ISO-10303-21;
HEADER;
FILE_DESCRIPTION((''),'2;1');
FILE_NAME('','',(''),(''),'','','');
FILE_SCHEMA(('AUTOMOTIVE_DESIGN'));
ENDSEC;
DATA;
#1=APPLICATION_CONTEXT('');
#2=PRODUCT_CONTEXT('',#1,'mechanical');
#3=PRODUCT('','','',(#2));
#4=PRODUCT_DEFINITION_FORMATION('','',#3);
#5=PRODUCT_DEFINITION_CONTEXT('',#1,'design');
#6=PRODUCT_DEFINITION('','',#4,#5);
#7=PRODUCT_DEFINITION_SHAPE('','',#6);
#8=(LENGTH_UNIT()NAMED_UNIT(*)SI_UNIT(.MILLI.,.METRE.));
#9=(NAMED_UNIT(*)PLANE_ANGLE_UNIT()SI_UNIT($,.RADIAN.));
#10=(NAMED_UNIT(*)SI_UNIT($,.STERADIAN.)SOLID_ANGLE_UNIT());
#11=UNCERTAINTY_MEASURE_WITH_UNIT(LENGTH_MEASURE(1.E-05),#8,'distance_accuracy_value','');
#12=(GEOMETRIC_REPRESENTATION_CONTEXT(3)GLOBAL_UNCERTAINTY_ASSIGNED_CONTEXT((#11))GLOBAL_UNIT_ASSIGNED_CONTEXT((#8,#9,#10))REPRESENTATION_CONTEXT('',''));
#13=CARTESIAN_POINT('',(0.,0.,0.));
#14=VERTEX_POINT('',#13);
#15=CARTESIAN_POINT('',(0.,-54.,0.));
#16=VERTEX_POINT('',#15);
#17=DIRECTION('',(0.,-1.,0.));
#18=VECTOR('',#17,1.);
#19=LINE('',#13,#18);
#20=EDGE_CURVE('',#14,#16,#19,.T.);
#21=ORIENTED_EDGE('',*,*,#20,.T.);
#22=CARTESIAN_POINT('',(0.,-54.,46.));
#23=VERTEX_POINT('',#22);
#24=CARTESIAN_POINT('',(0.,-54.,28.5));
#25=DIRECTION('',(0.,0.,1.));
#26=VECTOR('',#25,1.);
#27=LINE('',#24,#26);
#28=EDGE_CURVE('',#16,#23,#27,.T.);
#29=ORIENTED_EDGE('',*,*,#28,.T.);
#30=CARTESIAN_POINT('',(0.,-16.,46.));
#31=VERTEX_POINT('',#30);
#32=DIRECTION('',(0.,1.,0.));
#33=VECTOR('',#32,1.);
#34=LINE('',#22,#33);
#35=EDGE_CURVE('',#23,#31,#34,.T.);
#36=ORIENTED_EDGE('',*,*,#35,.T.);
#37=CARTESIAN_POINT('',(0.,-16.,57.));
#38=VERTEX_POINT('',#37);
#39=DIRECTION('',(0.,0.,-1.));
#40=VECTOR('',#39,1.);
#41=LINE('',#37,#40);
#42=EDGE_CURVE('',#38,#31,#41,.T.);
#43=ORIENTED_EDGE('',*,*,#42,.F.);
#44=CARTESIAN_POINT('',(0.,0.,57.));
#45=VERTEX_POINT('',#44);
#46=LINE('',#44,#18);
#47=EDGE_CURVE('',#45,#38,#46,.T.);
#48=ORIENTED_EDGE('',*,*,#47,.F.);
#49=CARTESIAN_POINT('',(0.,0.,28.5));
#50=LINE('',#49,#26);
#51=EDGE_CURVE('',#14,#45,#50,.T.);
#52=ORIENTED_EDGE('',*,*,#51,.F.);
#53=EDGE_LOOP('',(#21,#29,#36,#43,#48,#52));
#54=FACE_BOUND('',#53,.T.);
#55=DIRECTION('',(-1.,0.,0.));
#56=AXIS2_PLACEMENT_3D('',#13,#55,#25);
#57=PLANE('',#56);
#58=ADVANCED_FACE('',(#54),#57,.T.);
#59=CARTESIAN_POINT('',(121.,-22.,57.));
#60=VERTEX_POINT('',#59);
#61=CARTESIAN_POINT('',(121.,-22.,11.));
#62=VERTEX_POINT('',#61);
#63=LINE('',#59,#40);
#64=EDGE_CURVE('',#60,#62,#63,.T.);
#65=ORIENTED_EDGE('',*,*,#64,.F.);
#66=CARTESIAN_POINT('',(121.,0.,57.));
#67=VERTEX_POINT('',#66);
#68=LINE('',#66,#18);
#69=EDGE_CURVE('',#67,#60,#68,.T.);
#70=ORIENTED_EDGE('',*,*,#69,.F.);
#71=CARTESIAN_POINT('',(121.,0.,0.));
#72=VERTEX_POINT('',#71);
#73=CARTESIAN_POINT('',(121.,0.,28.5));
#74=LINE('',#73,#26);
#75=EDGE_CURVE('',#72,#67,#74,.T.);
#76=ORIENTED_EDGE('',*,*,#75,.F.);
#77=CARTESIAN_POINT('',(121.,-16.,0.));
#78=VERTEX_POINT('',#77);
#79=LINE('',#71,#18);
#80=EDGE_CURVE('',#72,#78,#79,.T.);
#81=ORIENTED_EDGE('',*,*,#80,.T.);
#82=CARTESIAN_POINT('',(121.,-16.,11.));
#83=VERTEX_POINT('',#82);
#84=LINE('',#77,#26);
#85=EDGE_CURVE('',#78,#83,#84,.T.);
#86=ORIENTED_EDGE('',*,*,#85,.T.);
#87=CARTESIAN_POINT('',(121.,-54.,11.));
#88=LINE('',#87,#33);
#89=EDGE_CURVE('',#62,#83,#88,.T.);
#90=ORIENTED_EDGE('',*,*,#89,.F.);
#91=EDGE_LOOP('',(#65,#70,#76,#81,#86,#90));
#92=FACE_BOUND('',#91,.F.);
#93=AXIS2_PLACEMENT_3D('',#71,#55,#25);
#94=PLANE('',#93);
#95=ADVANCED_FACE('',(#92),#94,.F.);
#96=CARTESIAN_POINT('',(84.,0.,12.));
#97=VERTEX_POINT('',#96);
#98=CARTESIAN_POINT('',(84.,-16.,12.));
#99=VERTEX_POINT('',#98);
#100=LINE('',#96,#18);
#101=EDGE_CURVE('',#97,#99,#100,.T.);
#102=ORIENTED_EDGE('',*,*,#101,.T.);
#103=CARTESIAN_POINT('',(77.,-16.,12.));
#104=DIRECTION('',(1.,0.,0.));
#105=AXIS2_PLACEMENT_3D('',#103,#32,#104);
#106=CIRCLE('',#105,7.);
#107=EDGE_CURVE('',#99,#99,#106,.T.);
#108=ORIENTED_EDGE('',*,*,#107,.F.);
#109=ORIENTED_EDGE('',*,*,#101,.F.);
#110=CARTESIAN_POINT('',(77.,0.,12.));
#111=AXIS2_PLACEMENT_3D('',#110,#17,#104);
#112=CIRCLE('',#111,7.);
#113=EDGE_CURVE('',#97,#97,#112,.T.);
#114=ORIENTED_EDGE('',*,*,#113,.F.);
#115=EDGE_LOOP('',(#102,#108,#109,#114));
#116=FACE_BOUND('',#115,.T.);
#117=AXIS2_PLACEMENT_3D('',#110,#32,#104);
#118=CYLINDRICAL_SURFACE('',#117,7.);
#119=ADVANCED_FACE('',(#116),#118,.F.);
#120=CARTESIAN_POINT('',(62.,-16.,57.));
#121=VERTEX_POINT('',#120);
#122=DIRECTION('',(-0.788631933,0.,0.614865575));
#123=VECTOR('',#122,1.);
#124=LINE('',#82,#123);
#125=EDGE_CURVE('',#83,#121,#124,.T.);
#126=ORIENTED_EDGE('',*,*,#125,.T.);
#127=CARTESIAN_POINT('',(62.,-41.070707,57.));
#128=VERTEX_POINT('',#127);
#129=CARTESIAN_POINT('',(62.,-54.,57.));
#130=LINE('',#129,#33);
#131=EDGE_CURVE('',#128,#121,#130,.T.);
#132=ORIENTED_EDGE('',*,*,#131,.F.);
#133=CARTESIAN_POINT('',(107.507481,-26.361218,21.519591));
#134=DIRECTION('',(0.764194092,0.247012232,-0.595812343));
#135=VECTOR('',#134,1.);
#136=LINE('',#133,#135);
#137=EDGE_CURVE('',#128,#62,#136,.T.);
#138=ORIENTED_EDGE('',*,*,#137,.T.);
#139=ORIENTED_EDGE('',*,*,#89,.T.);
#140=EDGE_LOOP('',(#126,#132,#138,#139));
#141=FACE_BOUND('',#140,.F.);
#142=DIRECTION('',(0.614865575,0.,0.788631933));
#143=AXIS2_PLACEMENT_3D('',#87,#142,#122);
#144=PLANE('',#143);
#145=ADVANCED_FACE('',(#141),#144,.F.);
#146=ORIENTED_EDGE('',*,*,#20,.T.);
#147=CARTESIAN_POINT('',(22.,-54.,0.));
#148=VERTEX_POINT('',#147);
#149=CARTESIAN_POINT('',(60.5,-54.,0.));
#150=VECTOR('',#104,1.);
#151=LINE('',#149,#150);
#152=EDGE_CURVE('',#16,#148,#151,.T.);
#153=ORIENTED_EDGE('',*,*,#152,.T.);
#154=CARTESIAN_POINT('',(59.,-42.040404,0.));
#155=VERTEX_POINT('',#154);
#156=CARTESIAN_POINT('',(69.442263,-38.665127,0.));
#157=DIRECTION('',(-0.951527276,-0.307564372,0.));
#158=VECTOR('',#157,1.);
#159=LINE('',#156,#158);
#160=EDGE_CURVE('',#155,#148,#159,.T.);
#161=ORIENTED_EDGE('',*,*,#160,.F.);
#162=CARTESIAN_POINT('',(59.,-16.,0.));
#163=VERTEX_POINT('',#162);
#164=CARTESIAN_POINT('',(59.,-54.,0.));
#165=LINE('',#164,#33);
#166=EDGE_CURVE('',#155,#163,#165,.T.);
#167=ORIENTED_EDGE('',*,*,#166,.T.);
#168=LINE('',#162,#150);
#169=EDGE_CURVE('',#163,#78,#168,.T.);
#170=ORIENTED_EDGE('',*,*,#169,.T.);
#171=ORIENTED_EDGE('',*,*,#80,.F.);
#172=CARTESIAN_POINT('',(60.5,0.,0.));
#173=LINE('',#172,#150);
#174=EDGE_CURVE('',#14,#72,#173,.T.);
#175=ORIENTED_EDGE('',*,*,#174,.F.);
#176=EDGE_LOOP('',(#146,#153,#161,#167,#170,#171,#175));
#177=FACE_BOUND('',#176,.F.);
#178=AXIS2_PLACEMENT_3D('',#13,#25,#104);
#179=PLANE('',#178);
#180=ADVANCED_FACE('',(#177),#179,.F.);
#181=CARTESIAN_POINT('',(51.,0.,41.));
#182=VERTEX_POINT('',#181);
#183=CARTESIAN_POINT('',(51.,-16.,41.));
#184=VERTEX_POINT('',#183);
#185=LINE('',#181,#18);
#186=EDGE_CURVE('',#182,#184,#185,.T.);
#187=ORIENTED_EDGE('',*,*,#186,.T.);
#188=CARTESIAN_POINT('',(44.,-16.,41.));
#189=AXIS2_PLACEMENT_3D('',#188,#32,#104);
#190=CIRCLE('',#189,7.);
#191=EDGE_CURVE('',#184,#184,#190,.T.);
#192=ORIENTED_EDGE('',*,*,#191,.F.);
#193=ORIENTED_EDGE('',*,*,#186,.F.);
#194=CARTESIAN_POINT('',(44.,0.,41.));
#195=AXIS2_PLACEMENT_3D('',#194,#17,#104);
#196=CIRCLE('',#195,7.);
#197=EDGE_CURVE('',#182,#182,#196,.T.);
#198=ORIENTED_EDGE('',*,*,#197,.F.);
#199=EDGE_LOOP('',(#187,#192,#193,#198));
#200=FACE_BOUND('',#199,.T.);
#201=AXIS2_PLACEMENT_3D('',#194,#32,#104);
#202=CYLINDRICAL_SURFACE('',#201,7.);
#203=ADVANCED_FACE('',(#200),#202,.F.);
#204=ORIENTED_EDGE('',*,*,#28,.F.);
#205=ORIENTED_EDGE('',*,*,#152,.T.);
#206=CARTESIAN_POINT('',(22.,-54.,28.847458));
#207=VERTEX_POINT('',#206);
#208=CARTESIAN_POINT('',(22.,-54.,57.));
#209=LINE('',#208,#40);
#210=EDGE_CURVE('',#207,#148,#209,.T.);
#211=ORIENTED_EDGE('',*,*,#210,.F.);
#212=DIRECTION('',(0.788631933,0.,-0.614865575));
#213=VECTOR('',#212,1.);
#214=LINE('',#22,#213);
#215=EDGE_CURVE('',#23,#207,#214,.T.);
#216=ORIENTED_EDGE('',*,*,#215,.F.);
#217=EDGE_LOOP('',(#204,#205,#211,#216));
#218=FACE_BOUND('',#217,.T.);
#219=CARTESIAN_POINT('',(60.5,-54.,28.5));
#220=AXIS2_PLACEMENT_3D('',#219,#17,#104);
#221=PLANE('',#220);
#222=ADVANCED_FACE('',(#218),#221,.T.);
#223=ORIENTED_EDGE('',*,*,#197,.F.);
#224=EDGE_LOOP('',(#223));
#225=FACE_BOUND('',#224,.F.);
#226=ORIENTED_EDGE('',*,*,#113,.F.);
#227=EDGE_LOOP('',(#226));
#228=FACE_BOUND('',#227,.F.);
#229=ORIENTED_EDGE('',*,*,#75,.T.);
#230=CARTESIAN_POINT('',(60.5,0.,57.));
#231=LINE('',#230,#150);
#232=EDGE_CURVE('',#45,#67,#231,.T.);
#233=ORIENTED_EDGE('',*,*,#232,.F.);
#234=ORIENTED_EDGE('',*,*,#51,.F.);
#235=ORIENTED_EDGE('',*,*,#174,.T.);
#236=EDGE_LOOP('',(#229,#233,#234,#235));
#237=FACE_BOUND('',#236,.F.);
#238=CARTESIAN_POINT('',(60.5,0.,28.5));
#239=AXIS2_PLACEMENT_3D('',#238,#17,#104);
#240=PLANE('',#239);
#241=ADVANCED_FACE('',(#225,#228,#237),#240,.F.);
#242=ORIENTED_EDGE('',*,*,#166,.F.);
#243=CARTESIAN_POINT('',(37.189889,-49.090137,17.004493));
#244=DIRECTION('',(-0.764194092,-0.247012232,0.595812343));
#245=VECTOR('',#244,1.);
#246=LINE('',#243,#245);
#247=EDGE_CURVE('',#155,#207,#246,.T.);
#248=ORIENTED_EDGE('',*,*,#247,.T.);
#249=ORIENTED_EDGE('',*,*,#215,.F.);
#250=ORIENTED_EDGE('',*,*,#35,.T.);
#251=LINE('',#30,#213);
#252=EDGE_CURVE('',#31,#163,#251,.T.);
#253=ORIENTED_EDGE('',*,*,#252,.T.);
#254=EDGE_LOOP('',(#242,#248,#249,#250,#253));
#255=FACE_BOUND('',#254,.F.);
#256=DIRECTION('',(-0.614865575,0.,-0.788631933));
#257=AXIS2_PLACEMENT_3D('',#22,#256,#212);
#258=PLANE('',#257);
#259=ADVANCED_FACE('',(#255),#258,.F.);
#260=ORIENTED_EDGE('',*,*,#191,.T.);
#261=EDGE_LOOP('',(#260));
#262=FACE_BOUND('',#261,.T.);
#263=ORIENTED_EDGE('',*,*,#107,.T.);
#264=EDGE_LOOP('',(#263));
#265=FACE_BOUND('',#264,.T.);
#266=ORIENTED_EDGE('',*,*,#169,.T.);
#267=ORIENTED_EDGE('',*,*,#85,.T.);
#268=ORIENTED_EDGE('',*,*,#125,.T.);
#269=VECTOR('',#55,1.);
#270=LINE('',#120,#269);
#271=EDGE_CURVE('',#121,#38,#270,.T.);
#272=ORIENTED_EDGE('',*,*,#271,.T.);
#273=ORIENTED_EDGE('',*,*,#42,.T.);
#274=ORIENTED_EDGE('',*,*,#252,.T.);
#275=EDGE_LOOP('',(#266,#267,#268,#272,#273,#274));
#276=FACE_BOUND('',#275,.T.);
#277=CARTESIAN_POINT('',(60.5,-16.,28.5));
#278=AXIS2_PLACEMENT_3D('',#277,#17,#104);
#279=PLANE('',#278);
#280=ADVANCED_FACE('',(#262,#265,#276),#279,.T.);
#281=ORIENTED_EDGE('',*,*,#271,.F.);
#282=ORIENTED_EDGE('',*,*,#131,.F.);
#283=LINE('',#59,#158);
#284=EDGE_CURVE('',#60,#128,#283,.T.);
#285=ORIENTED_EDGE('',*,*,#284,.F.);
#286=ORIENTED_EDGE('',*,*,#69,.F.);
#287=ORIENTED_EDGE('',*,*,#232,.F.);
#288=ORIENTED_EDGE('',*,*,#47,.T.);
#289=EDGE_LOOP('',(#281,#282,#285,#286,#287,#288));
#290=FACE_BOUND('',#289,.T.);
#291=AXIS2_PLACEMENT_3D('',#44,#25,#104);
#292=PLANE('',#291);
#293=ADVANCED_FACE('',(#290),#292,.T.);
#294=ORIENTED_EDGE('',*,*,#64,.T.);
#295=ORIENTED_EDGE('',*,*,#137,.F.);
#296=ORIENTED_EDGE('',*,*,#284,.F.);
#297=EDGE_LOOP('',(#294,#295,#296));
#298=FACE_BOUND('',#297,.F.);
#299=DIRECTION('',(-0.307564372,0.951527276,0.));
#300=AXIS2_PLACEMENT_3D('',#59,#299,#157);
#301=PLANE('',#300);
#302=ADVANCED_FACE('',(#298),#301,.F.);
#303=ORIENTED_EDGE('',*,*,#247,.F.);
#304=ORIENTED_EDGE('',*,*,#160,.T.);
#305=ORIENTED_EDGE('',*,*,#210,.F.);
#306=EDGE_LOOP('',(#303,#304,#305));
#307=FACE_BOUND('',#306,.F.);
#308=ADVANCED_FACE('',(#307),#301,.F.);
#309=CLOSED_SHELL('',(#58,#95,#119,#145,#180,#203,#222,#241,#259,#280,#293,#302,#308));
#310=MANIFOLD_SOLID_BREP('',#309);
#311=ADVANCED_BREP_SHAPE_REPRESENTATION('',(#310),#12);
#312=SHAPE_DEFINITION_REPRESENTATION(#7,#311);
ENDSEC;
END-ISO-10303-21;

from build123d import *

# Parameters (mm, degrees)
F0_W     = 121
F0_H     = 57
F1_DEPTH = 54
F3_DEPTH = 57.001
F4_R     = 7
F5_DEPTH = 54.001
F7_DEPTH = 38


with BuildPart() as f1:
    # F0 (on Front) → F1 (new body)
    with BuildSketch(Plane.XZ):
        with Locations((60.5, 28.5)):
            Rectangle(F0_W, F0_H)
    extrude(amount=F1_DEPTH)

    # F2 (on face) → F3 (cut, through all)
    with BuildSketch(Plane.XY.offset(57)):
        Polygon((121, -22), (22, -54), (121, -54), align=None)
    extrude(amount=-F3_DEPTH, mode=Mode.SUBTRACT)

    # F4 (on Front) → F5 (cut, through all)
    with BuildSketch(Plane.XZ):
        with Locations((44, 41)):
            Circle(F4_R)
        with Locations((77, 12)):
            Circle(F4_R)
    extrude(amount=F5_DEPTH, mode=Mode.SUBTRACT)

    # F6 (on face) → F7 (cut)
    with BuildSketch(Plane.XZ.offset(54)):
        Polygon((59, 0), (121, 0), (121, 11), (62, 57), (0, 57), (0, 46), align=None)
    extrude(amount=-F7_DEPTH, mode=Mode.SUBTRACT)


solid = f1.part
